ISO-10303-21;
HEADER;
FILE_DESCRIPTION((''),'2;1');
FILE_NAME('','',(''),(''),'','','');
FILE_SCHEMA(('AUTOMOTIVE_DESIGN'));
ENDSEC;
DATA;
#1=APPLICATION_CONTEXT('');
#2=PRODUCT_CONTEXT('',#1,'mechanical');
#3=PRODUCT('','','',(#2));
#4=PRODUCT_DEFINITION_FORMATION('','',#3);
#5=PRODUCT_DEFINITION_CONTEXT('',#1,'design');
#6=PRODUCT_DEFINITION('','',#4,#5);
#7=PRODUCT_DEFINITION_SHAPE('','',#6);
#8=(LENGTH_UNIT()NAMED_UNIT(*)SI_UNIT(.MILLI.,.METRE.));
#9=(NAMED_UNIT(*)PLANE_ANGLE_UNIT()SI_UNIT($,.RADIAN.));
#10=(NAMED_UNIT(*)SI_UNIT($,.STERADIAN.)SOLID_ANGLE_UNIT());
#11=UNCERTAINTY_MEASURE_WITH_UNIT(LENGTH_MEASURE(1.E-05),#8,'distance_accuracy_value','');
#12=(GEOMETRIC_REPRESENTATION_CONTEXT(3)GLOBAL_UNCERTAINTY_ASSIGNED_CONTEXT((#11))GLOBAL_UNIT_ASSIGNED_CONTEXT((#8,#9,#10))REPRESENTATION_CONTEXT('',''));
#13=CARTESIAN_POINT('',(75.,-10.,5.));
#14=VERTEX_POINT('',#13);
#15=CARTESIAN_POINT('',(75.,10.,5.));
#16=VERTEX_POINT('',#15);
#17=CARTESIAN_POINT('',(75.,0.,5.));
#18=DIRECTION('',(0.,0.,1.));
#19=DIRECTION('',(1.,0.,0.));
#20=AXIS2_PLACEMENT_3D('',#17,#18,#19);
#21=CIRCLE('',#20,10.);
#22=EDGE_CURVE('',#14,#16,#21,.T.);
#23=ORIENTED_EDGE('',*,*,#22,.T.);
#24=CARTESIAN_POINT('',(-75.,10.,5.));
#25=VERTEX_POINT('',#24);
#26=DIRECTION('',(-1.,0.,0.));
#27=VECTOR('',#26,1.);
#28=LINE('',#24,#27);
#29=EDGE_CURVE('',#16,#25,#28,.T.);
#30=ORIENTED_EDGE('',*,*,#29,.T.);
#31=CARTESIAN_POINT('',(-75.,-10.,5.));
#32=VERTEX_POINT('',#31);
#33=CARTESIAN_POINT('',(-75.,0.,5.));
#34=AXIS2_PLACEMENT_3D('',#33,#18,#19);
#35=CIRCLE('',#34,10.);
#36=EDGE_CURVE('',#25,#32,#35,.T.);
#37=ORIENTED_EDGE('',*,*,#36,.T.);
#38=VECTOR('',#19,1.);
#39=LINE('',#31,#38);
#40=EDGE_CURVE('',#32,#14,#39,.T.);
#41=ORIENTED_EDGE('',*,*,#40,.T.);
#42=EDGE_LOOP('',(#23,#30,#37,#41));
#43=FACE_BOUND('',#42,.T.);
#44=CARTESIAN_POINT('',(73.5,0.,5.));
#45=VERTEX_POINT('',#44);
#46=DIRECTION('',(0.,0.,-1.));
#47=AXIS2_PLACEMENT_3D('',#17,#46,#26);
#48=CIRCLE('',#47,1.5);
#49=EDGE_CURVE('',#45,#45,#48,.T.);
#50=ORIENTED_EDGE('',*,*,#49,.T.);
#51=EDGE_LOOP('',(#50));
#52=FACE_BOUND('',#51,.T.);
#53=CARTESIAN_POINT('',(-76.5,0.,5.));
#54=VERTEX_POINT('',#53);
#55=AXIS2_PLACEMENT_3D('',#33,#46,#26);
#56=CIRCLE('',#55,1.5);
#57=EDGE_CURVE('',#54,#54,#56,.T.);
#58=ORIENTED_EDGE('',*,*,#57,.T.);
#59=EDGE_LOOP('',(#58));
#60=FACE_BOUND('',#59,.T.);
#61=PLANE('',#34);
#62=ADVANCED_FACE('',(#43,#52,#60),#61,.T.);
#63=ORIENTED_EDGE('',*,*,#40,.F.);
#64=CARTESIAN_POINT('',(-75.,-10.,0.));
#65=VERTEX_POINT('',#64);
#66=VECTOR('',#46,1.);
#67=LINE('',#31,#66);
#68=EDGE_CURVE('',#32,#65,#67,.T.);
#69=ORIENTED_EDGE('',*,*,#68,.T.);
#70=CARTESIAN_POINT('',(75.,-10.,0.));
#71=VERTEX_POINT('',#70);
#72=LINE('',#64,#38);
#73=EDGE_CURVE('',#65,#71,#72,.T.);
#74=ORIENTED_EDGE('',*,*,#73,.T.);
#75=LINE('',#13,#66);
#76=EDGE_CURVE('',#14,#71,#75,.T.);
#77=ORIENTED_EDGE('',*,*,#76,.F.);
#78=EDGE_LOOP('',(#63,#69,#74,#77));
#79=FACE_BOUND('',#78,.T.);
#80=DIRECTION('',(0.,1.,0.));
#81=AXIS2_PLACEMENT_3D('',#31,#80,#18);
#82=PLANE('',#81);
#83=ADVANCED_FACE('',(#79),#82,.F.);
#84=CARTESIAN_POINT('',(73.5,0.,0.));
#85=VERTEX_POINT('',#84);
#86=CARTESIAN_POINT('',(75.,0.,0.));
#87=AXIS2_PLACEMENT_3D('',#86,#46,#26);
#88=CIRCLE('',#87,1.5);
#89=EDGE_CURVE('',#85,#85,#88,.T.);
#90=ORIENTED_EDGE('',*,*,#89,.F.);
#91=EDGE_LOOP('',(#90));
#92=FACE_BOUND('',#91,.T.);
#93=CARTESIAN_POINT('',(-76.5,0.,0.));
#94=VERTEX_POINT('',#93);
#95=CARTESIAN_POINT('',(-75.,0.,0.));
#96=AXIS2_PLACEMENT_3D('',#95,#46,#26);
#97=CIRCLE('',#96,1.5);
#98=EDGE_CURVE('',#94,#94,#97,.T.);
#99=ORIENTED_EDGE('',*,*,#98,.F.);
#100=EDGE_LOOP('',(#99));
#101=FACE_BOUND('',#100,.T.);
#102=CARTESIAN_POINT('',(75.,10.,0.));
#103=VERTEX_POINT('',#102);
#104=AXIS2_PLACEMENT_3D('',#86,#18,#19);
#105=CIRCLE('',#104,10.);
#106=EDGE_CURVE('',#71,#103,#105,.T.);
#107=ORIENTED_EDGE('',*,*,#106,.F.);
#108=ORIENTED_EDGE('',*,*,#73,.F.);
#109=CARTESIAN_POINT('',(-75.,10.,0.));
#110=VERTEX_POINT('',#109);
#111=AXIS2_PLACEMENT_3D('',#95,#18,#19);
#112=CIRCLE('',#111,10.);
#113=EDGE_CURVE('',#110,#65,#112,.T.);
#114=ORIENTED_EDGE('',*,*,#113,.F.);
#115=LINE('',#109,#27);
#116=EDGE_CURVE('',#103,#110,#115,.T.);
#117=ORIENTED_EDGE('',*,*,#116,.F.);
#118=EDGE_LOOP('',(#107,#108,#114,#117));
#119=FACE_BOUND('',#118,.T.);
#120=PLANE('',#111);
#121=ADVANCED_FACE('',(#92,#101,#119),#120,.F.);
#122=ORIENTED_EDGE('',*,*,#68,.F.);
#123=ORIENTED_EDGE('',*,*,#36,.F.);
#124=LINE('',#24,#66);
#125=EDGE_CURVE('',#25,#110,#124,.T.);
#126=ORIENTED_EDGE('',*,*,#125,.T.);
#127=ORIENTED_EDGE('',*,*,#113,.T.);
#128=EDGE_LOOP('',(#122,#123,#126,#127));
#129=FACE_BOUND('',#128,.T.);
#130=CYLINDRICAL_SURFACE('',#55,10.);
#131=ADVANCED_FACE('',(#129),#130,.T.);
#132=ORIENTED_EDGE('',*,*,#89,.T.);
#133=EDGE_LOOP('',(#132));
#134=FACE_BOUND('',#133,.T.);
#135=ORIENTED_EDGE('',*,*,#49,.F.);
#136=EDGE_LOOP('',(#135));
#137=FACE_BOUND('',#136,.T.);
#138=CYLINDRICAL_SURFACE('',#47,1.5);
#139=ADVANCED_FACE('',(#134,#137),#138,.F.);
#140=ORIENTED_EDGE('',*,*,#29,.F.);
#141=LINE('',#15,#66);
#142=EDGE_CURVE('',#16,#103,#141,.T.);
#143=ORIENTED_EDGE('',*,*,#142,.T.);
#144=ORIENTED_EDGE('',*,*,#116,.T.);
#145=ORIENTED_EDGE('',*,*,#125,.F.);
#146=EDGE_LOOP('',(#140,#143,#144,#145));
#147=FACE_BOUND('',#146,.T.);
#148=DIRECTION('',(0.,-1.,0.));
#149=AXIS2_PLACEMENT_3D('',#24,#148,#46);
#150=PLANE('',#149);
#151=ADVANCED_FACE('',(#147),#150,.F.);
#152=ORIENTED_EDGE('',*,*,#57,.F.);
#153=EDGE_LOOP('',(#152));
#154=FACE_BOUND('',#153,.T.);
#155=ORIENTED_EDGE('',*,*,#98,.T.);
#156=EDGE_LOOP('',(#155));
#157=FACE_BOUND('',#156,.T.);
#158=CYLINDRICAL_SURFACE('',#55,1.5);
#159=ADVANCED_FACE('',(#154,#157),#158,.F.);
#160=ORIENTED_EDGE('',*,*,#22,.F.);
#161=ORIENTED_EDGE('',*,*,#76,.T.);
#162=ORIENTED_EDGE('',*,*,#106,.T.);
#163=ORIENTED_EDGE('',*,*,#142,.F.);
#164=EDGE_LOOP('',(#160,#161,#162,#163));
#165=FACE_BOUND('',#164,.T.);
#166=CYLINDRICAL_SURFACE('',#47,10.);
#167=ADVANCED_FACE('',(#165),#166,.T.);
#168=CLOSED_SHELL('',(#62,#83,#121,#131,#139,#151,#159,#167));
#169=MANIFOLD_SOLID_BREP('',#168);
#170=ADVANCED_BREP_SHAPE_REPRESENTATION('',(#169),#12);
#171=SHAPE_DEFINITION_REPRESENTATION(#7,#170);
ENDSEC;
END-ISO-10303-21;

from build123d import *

# Parameters (mm, degrees)
BOSS_EXTRUDE1_DEPTH = 5
SKETCH4_R           = 1.5
CUT_EXTRUDE1_DEPTH  = 5


with BuildPart() as part:
    # Sketch2 → Boss-Extrude1 (new body)
    with BuildSketch(Plane.XY):
        with BuildLine():
            Line((-75, 10), (75, 10))
            ThreePointArc((75, 10), (85, 0), (75, -10))
            Line((75, -10), (-75, -10))
            ThreePointArc((-75, -10), (-85, 0), (-75, 10))
        make_face()
    extrude(amount=BOSS_EXTRUDE1_DEPTH)

    # Sketch4 → Cut-Extrude1 (cut)
    with BuildSketch(Plane(origin=(0, 0, 0), x_dir=(-1, 0, 0), z_dir=(0, 0, -1))):
        with Locations((-75, 0)):
            Circle(SKETCH4_R)
        with Locations((75, 0)):
            Circle(SKETCH4_R)
    extrude(amount=-CUT_EXTRUDE1_DEPTH, mode=Mode.SUBTRACT)


solid = part.part
